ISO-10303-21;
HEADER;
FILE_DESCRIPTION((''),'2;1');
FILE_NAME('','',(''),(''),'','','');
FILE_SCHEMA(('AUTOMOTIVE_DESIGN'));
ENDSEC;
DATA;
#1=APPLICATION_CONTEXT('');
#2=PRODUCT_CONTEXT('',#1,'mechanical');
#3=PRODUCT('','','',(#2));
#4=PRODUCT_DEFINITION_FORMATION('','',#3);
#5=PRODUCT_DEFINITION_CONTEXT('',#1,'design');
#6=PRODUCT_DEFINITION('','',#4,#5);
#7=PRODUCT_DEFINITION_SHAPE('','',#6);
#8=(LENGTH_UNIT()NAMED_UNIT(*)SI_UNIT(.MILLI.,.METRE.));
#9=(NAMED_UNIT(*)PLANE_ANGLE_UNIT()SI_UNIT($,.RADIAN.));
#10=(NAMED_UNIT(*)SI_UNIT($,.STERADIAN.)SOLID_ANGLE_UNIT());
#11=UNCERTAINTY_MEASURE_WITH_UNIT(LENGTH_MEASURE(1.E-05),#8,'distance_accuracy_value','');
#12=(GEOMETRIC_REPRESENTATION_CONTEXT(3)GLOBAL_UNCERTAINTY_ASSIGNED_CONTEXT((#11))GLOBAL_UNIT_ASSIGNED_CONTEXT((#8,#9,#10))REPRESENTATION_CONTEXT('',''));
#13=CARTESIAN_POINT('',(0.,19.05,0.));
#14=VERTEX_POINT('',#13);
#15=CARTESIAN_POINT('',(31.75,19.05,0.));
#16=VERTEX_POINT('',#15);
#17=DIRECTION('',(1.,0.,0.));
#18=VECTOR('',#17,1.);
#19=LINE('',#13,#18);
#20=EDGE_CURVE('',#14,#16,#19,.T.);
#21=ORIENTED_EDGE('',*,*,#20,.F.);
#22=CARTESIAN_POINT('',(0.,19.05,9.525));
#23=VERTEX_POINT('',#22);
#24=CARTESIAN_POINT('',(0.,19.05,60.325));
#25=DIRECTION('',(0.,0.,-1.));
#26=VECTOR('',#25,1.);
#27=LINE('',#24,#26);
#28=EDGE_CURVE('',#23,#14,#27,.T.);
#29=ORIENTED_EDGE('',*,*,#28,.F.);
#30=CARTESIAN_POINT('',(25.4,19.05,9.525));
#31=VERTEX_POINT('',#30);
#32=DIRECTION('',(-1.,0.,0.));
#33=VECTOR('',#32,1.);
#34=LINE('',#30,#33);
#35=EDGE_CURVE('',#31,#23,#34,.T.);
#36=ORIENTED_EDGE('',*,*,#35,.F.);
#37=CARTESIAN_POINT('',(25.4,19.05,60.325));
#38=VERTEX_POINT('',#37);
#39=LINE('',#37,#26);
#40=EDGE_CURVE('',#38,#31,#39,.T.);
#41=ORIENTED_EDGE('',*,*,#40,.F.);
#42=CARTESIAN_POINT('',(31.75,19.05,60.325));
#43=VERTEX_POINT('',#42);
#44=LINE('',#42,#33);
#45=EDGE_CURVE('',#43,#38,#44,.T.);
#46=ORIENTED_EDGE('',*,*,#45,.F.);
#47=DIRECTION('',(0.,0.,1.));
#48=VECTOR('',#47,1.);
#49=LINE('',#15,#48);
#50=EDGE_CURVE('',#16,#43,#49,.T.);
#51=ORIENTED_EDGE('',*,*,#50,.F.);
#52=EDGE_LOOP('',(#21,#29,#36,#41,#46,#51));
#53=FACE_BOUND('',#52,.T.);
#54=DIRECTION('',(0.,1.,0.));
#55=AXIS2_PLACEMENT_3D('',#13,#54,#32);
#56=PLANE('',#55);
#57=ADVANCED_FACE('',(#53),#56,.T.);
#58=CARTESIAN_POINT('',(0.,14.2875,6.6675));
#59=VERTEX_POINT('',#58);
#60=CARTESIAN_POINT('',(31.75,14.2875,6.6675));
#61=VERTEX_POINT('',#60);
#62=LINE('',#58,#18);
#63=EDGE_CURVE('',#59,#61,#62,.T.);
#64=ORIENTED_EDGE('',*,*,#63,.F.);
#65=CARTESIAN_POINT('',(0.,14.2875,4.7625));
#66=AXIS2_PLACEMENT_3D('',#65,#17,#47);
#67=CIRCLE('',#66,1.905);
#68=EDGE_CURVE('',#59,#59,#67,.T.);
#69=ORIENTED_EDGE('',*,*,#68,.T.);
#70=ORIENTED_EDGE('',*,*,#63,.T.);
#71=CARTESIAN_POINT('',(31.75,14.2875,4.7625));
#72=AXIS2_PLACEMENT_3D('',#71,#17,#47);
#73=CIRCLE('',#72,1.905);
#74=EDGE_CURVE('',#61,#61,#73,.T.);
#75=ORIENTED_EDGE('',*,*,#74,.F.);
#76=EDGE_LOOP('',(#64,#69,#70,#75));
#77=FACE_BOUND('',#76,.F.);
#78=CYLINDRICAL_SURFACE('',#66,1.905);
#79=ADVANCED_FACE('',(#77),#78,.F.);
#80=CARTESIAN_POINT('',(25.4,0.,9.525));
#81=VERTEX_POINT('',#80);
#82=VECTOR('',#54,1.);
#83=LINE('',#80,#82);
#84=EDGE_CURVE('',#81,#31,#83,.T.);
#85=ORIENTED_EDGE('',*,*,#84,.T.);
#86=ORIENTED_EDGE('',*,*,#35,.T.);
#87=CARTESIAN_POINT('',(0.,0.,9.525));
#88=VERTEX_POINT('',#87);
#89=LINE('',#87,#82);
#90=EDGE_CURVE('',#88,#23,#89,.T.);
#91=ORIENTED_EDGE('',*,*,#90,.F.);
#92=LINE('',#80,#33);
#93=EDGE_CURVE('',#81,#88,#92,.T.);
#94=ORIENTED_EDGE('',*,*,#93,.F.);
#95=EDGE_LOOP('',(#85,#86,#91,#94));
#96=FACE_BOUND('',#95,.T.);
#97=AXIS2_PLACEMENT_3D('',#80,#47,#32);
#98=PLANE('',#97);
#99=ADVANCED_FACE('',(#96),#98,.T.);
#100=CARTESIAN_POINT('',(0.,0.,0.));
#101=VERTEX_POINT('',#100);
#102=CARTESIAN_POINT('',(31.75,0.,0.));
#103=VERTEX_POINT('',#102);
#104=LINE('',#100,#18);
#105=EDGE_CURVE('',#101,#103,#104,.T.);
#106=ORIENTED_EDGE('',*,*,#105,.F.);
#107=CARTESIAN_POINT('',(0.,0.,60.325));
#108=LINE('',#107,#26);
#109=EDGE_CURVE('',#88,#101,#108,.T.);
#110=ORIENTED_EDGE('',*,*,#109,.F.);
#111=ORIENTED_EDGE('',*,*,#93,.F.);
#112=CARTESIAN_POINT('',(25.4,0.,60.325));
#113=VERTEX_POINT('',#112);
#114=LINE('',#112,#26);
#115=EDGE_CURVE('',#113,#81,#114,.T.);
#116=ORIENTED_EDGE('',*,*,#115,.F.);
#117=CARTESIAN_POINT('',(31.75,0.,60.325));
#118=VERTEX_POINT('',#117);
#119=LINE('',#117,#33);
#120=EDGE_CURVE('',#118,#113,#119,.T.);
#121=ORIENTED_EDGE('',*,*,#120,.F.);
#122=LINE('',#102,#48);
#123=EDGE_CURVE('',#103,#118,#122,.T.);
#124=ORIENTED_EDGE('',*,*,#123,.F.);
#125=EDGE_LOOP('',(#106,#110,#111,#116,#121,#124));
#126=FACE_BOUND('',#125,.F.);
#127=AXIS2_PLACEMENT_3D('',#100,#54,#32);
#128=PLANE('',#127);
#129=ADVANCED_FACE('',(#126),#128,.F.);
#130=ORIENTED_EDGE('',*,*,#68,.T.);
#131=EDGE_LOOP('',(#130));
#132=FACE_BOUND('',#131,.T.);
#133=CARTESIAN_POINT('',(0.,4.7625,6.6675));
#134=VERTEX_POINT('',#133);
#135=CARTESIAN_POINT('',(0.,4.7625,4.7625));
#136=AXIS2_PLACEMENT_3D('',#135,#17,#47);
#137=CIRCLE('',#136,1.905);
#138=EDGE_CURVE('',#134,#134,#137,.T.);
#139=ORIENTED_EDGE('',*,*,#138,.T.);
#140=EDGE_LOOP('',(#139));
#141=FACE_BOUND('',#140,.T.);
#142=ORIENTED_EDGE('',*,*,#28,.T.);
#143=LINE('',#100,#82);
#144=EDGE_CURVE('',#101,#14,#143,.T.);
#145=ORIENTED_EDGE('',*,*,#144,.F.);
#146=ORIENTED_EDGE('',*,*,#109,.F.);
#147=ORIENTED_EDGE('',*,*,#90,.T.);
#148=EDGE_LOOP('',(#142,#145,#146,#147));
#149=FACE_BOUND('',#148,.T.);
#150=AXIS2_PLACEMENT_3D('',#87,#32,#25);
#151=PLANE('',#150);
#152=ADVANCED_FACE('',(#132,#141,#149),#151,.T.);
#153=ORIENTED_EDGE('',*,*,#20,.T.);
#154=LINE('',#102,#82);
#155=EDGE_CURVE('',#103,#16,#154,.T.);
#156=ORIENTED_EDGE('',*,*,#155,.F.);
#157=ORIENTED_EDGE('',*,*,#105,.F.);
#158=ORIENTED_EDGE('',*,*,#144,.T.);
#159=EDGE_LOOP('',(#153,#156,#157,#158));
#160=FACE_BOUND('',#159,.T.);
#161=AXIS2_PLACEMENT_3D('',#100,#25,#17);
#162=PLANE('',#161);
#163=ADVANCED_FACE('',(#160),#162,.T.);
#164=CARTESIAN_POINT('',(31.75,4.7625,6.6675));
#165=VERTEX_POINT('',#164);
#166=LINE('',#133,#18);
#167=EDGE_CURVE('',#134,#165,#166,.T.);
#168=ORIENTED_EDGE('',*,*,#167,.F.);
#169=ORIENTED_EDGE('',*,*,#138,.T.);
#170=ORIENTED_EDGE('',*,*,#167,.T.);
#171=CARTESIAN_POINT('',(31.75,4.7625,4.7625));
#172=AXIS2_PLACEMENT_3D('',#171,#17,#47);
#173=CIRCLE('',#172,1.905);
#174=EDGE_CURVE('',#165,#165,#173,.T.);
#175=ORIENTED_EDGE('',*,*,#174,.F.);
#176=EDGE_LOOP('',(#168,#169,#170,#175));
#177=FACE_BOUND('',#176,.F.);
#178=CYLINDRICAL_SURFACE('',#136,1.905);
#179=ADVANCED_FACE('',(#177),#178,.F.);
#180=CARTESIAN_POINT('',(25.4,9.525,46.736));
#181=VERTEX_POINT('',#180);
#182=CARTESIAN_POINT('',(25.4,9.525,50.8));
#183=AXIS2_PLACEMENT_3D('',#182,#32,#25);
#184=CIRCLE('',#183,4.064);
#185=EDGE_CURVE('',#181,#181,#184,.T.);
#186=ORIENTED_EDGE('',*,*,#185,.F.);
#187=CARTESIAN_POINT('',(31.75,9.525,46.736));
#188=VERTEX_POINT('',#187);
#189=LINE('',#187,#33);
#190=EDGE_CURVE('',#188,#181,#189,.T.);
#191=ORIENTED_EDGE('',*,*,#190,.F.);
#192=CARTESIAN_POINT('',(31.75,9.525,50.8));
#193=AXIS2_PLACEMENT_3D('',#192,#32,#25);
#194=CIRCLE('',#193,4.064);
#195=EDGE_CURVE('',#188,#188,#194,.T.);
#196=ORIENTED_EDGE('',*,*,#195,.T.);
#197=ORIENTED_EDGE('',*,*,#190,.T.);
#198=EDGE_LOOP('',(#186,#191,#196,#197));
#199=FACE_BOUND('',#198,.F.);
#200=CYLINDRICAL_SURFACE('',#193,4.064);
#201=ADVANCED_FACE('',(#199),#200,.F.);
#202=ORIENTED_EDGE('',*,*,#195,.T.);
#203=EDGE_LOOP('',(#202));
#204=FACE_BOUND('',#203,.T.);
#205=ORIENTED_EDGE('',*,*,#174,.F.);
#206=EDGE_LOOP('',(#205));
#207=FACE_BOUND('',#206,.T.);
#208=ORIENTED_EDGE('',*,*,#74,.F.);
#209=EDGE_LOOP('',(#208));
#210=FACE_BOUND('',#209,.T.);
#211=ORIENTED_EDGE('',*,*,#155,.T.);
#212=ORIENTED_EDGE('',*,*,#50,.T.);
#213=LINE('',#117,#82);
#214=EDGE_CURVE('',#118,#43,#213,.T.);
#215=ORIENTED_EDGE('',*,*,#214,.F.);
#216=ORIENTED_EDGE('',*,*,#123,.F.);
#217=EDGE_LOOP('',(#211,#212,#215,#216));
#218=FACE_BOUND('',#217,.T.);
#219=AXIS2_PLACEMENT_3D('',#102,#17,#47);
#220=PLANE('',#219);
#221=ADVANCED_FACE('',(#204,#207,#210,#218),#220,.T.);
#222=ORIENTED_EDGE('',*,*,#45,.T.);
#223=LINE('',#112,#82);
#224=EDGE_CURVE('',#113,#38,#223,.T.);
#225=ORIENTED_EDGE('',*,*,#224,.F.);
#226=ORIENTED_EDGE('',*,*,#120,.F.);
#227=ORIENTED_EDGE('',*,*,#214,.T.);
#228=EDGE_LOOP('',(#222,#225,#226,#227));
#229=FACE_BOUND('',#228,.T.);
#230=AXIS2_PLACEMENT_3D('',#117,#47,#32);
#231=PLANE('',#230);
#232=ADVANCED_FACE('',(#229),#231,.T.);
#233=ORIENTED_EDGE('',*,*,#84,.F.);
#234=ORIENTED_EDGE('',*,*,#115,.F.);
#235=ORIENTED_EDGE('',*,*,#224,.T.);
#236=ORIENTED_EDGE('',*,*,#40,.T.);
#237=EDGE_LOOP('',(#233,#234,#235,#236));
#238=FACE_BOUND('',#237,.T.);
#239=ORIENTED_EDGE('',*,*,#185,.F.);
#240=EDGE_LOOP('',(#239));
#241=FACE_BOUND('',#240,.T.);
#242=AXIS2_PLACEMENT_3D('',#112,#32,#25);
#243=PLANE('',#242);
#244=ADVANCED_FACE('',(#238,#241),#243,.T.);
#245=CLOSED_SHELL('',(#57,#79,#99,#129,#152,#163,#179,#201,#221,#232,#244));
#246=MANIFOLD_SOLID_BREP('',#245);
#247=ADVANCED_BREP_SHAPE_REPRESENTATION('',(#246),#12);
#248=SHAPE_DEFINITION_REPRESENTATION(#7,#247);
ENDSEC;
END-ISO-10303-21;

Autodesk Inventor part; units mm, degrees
ref_plane "YZ Plane" through (0, 0, 0) normal (1, 0, 0) x (0, 1, 0)
ref_plane "XZ Plane" through (0, 0, 0) normal (0, 1, 0) x (-1, 0, 0)
ref_plane "XY Plane" through (0, 0, 0) normal (0, 0, 1) x (1, 0, 0)
sketch "Sketch1" plane through (0, 0, 0) normal (0, 1, 0) x (-1, 0, 0)
  line L0 (0, 0) -> (-31.75, 0)
  line L1 (-31.75, 0) -> (-31.75, 60.325)
  line L2 (-31.75, 60.325) -> (0, 60.325)
  line L3 (0, 60.325) -> (0, 0)
  line L4 (0, 60.325) -> (-25.4, 60.325)
  line L5 (-25.4, 60.325) -> (-25.4, 9.525)
  line L6 (-25.4, 9.525) -> (0, 9.525)
  line L7 (0, 9.525) -> (0, 60.325)
  dimension "d0" = 60.325
  dimension "d1" = 31.75
  dimension "d2" = 9.525
  dimension "d3" = 6.35
extrude "Extrusion1" add sketch "Sketch1" along normal blind 19.05 contours L0 L1 L2 L5 L6 L3
sketch "Sketch2" plane through (31.75, 0, 60.325) normal (1, 0, 0) x (0, 0, -1)
  line L0 (0, 0) -> (60.325, 0) projected
  line L1 (60.325, 0) -> (60.325, 19.05) projected
  line L2 (0, 19.05) -> (60.325, 19.05) projected
  line L3 (0, 0) -> (0, 19.05) projected
  point P0 (9.525, 9.525)
  dimension "d6" = 19.05
  dimension "d7" = 9.525
  dimension "d8" = 9.525
hole "Hole1" at (31.75, 9.525, 50.8) direction (-1, 0, 0) diameter 8.128 depth 10.9728 tip angle 118
sketch "Sketch3" plane through (0, 0, 0) normal (-1, 0, 0) x (0, 0, 1)
  line L0 (9.525, 0) -> (9.525, 19.05) projected
  line L1 (0, 19.05) -> (9.525, 19.05) projected
  line L2 (0, 0) -> (0, 19.05) projected
  line L3 (0, 0) -> (9.525, 0) projected
  point P0 (4.7625, 4.7625)
  point P1 (4.7625, 14.2875)
  dimension "d16" = 9.525
  dimension "d17" = 9.525
  dimension "d18" = 4.7625
  dimension "d19" = 19.05
  dimension "d20" = 4.7625
  dimension "d21" = 4.7625
hole "Hole2" at (0, 4.7625, 4.7625) at (0, 14.2875, 4.7625) direction (1, 0, 0) diameter 3.81 end through all
equation "\"d7\" = 0.5 * d6"
equation "\"d8\" = d7"
equation "\"d18\" = 0.5 * d17"
equation "\"d20\" = -0.5 * d16 + 0.5 * d19"
equation "\"d21\" = d18"
properties part number "PaddleCollection2.1WheelBracket" material "Nylon 6/6"
